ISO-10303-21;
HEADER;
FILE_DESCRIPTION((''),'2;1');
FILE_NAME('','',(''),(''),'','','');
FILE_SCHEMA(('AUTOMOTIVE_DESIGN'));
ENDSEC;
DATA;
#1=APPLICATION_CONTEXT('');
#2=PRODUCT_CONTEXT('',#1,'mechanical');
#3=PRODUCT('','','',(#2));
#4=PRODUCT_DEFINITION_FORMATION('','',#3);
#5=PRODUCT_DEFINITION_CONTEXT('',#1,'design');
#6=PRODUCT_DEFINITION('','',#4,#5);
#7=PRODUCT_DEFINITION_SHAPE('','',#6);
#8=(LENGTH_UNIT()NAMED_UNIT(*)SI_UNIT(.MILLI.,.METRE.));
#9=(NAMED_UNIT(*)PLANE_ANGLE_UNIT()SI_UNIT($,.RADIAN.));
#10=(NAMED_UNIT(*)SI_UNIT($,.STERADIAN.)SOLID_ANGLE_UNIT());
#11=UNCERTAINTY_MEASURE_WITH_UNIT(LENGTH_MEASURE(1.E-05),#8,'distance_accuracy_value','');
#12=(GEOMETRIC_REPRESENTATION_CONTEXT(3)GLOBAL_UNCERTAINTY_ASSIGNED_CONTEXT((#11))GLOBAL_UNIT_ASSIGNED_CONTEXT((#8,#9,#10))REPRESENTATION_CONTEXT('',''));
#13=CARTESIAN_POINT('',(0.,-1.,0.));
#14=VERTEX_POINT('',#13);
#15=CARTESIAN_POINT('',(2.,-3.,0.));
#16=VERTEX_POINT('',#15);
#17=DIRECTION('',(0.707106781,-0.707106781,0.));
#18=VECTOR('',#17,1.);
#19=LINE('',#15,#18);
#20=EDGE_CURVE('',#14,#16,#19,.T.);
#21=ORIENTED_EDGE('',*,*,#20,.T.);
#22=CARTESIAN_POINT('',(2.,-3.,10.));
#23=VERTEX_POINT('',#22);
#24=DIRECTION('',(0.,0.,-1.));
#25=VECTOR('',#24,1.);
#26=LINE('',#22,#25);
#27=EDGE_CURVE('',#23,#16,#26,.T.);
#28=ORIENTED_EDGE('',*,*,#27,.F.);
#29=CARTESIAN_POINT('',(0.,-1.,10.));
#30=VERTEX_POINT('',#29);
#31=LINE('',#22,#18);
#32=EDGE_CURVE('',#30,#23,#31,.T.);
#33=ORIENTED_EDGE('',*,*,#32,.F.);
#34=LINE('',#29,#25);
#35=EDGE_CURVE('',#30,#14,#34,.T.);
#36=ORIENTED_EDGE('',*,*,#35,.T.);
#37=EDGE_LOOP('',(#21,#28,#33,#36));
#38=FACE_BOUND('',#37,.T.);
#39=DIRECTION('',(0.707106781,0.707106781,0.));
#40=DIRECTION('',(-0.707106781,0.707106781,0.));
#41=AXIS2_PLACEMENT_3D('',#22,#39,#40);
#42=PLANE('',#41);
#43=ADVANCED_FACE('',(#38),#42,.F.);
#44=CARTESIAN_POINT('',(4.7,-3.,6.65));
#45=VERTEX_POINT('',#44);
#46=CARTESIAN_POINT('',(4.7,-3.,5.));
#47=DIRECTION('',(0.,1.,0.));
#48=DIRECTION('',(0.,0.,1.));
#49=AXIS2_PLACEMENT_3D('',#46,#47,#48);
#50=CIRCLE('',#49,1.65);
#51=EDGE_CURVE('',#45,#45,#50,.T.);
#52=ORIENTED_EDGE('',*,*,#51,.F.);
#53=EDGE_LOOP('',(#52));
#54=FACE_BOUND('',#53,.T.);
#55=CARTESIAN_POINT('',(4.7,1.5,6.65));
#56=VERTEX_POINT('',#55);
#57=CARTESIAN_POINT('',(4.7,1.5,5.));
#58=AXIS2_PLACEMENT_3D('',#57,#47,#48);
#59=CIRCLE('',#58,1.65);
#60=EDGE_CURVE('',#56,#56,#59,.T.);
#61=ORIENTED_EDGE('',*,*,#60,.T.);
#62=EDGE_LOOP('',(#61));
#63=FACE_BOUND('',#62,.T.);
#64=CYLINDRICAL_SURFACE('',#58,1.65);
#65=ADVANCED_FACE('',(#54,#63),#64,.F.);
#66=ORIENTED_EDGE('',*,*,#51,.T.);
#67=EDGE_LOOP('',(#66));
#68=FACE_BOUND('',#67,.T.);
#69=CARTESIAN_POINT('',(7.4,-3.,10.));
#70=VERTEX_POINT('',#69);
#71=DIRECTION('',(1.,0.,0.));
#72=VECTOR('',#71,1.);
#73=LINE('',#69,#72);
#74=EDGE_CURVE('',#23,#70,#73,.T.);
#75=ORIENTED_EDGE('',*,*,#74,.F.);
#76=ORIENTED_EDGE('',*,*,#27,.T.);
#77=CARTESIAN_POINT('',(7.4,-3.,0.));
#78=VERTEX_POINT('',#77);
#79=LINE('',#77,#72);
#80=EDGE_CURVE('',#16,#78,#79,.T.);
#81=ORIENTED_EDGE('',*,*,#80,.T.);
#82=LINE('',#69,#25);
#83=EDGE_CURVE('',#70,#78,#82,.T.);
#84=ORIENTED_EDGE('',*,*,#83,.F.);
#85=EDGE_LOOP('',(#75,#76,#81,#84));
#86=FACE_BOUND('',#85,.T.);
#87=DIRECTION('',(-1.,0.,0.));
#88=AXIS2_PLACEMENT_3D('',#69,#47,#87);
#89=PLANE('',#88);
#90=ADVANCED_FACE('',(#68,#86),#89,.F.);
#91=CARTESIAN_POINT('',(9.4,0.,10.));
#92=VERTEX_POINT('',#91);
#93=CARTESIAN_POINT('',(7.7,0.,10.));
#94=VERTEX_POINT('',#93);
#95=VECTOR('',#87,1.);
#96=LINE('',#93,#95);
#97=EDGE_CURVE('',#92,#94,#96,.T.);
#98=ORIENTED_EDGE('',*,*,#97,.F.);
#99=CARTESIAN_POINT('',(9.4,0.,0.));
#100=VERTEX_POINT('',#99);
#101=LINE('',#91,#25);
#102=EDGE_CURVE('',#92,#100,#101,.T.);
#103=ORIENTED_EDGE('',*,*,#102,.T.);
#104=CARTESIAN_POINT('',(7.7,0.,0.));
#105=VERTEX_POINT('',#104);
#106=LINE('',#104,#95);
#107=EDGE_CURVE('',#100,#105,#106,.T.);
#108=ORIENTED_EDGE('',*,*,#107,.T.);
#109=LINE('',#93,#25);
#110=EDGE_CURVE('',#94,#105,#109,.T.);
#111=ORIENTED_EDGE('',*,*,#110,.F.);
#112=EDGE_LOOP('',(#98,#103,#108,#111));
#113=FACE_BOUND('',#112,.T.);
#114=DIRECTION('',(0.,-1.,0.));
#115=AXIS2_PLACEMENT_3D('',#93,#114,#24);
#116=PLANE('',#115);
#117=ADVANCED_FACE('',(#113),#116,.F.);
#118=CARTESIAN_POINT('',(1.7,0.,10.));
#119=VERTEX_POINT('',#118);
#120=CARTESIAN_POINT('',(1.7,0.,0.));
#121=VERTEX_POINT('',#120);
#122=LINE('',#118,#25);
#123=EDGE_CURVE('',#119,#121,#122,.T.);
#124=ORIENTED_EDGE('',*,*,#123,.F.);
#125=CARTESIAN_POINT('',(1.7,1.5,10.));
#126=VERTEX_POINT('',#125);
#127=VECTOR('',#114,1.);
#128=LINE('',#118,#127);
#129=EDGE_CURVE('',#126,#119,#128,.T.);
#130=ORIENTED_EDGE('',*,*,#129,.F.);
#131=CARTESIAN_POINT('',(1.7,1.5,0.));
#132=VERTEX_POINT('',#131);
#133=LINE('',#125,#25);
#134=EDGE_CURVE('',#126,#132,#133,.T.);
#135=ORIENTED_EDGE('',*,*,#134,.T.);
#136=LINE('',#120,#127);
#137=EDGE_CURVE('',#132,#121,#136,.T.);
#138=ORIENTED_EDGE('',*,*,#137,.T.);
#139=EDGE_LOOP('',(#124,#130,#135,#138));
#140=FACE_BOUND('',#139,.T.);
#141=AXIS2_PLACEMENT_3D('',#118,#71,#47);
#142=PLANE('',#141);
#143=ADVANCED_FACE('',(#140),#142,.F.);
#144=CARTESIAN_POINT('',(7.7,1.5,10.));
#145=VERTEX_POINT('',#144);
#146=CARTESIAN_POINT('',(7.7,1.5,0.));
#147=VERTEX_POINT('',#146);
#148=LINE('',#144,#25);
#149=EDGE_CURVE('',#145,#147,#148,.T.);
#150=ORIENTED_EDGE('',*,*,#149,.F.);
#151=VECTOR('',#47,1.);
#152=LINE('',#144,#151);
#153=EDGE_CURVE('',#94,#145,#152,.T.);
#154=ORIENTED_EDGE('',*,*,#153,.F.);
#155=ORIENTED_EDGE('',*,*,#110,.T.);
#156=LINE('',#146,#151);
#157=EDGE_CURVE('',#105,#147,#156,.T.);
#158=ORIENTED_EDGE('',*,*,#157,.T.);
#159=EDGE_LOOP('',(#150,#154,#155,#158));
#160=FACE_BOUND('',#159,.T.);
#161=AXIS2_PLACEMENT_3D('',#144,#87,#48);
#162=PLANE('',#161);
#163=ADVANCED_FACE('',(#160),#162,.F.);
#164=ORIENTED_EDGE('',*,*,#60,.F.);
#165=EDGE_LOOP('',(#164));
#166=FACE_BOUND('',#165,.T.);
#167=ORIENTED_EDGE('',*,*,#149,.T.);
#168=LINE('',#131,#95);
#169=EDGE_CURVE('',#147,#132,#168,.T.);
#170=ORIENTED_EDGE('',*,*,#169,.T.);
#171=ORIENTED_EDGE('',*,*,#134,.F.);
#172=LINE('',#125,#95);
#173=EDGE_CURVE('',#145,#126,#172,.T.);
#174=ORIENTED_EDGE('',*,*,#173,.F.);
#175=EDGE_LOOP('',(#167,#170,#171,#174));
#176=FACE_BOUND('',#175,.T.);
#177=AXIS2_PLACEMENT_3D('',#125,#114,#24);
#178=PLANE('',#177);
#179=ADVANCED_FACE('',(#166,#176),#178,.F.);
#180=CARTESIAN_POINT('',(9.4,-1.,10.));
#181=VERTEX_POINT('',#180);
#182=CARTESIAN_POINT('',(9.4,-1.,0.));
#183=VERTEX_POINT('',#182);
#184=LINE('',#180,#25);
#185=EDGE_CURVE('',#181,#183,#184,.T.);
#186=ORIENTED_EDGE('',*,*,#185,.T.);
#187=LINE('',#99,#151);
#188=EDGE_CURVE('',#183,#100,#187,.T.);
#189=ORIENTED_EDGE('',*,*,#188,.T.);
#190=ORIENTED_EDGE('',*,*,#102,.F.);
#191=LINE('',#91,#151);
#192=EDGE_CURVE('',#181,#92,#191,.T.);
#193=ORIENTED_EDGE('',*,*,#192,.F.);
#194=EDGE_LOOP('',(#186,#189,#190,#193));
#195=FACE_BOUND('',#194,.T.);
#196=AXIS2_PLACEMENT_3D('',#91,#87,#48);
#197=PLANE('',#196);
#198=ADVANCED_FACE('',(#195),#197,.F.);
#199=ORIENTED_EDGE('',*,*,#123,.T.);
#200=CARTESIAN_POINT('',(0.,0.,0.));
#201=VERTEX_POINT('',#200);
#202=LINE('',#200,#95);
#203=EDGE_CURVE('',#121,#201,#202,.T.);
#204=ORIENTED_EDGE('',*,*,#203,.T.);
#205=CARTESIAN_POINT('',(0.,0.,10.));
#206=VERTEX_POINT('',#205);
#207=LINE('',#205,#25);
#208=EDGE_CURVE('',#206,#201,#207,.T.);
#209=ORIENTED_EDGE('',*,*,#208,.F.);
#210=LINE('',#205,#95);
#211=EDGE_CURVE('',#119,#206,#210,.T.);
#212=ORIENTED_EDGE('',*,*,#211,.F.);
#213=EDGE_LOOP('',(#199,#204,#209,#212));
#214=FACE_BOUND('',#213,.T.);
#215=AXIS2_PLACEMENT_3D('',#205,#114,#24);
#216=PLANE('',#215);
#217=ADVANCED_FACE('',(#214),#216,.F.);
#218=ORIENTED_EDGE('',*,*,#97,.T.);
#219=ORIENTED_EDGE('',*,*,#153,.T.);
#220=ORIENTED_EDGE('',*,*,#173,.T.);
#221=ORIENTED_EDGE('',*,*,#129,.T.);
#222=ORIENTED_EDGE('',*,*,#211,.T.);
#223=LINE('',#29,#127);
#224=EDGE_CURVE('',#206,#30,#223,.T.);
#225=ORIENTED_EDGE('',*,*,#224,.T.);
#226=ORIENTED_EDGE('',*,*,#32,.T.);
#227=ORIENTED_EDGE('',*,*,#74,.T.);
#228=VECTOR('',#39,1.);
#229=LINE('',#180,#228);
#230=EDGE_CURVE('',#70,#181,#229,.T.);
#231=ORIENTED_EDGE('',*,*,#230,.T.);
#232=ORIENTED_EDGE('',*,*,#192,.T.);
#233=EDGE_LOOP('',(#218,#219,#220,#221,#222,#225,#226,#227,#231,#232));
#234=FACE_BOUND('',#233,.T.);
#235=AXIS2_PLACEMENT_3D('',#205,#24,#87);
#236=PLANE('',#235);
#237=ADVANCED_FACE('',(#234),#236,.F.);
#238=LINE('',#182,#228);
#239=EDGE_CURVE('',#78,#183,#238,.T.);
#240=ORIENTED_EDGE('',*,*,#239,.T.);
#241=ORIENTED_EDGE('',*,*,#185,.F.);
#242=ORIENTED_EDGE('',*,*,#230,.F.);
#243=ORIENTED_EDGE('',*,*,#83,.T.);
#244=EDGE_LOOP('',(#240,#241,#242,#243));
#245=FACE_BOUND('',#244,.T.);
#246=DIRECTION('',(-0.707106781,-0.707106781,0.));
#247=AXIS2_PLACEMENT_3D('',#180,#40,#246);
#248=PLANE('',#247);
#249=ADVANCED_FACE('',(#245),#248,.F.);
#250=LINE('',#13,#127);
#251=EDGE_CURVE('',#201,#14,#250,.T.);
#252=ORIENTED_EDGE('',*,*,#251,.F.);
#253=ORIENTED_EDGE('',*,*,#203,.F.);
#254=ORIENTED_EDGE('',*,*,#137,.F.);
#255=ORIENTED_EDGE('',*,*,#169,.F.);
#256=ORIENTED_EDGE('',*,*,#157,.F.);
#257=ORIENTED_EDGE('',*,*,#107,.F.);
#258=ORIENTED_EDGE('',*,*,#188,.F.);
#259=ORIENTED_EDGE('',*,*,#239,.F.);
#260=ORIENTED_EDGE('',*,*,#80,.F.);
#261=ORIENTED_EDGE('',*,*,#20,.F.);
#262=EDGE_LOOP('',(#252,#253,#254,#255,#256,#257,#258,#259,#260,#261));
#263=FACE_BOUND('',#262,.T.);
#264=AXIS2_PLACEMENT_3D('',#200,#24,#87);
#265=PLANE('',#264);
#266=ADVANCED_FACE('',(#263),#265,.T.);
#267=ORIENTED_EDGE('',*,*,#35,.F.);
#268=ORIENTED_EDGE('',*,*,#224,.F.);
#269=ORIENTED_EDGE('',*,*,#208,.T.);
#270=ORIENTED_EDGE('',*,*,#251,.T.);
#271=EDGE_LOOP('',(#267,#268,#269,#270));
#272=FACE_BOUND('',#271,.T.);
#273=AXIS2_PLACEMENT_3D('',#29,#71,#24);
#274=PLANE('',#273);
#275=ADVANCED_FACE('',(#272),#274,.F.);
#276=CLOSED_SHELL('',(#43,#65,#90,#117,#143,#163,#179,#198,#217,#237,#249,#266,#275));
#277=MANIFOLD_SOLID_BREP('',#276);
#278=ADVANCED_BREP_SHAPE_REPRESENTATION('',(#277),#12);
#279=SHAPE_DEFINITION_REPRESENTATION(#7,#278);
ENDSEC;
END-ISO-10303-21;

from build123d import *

# Parameters (mm, degrees)
EXTRUDE_1_DEPTH    = 10
HOLE_WIZARD_M4_1_D = 3.3


with BuildPart() as part:
    # 草图1 → 拉伸1 (new body)
    with BuildSketch(Plane.XY):
        Polygon((0, 0), (1.7, 0), (1.7, 1.5), (7.7, 1.5), (7.7, 0), (9.4, 0), (9.4, -1), (7.4, -3), (2, -3), (0, -1), align=None)
    extrude(amount=EXTRUDE_1_DEPTH)

    # M4 螺纹孔1 (through all)
    with Locations(Plane(origin=(4.7, 1.5, 5), x_dir=(0, 0, 1), z_dir=(0, 1, 0))):
        with Locations((0, 0)):
            Hole(HOLE_WIZARD_M4_1_D / 2)


solid = part.part
